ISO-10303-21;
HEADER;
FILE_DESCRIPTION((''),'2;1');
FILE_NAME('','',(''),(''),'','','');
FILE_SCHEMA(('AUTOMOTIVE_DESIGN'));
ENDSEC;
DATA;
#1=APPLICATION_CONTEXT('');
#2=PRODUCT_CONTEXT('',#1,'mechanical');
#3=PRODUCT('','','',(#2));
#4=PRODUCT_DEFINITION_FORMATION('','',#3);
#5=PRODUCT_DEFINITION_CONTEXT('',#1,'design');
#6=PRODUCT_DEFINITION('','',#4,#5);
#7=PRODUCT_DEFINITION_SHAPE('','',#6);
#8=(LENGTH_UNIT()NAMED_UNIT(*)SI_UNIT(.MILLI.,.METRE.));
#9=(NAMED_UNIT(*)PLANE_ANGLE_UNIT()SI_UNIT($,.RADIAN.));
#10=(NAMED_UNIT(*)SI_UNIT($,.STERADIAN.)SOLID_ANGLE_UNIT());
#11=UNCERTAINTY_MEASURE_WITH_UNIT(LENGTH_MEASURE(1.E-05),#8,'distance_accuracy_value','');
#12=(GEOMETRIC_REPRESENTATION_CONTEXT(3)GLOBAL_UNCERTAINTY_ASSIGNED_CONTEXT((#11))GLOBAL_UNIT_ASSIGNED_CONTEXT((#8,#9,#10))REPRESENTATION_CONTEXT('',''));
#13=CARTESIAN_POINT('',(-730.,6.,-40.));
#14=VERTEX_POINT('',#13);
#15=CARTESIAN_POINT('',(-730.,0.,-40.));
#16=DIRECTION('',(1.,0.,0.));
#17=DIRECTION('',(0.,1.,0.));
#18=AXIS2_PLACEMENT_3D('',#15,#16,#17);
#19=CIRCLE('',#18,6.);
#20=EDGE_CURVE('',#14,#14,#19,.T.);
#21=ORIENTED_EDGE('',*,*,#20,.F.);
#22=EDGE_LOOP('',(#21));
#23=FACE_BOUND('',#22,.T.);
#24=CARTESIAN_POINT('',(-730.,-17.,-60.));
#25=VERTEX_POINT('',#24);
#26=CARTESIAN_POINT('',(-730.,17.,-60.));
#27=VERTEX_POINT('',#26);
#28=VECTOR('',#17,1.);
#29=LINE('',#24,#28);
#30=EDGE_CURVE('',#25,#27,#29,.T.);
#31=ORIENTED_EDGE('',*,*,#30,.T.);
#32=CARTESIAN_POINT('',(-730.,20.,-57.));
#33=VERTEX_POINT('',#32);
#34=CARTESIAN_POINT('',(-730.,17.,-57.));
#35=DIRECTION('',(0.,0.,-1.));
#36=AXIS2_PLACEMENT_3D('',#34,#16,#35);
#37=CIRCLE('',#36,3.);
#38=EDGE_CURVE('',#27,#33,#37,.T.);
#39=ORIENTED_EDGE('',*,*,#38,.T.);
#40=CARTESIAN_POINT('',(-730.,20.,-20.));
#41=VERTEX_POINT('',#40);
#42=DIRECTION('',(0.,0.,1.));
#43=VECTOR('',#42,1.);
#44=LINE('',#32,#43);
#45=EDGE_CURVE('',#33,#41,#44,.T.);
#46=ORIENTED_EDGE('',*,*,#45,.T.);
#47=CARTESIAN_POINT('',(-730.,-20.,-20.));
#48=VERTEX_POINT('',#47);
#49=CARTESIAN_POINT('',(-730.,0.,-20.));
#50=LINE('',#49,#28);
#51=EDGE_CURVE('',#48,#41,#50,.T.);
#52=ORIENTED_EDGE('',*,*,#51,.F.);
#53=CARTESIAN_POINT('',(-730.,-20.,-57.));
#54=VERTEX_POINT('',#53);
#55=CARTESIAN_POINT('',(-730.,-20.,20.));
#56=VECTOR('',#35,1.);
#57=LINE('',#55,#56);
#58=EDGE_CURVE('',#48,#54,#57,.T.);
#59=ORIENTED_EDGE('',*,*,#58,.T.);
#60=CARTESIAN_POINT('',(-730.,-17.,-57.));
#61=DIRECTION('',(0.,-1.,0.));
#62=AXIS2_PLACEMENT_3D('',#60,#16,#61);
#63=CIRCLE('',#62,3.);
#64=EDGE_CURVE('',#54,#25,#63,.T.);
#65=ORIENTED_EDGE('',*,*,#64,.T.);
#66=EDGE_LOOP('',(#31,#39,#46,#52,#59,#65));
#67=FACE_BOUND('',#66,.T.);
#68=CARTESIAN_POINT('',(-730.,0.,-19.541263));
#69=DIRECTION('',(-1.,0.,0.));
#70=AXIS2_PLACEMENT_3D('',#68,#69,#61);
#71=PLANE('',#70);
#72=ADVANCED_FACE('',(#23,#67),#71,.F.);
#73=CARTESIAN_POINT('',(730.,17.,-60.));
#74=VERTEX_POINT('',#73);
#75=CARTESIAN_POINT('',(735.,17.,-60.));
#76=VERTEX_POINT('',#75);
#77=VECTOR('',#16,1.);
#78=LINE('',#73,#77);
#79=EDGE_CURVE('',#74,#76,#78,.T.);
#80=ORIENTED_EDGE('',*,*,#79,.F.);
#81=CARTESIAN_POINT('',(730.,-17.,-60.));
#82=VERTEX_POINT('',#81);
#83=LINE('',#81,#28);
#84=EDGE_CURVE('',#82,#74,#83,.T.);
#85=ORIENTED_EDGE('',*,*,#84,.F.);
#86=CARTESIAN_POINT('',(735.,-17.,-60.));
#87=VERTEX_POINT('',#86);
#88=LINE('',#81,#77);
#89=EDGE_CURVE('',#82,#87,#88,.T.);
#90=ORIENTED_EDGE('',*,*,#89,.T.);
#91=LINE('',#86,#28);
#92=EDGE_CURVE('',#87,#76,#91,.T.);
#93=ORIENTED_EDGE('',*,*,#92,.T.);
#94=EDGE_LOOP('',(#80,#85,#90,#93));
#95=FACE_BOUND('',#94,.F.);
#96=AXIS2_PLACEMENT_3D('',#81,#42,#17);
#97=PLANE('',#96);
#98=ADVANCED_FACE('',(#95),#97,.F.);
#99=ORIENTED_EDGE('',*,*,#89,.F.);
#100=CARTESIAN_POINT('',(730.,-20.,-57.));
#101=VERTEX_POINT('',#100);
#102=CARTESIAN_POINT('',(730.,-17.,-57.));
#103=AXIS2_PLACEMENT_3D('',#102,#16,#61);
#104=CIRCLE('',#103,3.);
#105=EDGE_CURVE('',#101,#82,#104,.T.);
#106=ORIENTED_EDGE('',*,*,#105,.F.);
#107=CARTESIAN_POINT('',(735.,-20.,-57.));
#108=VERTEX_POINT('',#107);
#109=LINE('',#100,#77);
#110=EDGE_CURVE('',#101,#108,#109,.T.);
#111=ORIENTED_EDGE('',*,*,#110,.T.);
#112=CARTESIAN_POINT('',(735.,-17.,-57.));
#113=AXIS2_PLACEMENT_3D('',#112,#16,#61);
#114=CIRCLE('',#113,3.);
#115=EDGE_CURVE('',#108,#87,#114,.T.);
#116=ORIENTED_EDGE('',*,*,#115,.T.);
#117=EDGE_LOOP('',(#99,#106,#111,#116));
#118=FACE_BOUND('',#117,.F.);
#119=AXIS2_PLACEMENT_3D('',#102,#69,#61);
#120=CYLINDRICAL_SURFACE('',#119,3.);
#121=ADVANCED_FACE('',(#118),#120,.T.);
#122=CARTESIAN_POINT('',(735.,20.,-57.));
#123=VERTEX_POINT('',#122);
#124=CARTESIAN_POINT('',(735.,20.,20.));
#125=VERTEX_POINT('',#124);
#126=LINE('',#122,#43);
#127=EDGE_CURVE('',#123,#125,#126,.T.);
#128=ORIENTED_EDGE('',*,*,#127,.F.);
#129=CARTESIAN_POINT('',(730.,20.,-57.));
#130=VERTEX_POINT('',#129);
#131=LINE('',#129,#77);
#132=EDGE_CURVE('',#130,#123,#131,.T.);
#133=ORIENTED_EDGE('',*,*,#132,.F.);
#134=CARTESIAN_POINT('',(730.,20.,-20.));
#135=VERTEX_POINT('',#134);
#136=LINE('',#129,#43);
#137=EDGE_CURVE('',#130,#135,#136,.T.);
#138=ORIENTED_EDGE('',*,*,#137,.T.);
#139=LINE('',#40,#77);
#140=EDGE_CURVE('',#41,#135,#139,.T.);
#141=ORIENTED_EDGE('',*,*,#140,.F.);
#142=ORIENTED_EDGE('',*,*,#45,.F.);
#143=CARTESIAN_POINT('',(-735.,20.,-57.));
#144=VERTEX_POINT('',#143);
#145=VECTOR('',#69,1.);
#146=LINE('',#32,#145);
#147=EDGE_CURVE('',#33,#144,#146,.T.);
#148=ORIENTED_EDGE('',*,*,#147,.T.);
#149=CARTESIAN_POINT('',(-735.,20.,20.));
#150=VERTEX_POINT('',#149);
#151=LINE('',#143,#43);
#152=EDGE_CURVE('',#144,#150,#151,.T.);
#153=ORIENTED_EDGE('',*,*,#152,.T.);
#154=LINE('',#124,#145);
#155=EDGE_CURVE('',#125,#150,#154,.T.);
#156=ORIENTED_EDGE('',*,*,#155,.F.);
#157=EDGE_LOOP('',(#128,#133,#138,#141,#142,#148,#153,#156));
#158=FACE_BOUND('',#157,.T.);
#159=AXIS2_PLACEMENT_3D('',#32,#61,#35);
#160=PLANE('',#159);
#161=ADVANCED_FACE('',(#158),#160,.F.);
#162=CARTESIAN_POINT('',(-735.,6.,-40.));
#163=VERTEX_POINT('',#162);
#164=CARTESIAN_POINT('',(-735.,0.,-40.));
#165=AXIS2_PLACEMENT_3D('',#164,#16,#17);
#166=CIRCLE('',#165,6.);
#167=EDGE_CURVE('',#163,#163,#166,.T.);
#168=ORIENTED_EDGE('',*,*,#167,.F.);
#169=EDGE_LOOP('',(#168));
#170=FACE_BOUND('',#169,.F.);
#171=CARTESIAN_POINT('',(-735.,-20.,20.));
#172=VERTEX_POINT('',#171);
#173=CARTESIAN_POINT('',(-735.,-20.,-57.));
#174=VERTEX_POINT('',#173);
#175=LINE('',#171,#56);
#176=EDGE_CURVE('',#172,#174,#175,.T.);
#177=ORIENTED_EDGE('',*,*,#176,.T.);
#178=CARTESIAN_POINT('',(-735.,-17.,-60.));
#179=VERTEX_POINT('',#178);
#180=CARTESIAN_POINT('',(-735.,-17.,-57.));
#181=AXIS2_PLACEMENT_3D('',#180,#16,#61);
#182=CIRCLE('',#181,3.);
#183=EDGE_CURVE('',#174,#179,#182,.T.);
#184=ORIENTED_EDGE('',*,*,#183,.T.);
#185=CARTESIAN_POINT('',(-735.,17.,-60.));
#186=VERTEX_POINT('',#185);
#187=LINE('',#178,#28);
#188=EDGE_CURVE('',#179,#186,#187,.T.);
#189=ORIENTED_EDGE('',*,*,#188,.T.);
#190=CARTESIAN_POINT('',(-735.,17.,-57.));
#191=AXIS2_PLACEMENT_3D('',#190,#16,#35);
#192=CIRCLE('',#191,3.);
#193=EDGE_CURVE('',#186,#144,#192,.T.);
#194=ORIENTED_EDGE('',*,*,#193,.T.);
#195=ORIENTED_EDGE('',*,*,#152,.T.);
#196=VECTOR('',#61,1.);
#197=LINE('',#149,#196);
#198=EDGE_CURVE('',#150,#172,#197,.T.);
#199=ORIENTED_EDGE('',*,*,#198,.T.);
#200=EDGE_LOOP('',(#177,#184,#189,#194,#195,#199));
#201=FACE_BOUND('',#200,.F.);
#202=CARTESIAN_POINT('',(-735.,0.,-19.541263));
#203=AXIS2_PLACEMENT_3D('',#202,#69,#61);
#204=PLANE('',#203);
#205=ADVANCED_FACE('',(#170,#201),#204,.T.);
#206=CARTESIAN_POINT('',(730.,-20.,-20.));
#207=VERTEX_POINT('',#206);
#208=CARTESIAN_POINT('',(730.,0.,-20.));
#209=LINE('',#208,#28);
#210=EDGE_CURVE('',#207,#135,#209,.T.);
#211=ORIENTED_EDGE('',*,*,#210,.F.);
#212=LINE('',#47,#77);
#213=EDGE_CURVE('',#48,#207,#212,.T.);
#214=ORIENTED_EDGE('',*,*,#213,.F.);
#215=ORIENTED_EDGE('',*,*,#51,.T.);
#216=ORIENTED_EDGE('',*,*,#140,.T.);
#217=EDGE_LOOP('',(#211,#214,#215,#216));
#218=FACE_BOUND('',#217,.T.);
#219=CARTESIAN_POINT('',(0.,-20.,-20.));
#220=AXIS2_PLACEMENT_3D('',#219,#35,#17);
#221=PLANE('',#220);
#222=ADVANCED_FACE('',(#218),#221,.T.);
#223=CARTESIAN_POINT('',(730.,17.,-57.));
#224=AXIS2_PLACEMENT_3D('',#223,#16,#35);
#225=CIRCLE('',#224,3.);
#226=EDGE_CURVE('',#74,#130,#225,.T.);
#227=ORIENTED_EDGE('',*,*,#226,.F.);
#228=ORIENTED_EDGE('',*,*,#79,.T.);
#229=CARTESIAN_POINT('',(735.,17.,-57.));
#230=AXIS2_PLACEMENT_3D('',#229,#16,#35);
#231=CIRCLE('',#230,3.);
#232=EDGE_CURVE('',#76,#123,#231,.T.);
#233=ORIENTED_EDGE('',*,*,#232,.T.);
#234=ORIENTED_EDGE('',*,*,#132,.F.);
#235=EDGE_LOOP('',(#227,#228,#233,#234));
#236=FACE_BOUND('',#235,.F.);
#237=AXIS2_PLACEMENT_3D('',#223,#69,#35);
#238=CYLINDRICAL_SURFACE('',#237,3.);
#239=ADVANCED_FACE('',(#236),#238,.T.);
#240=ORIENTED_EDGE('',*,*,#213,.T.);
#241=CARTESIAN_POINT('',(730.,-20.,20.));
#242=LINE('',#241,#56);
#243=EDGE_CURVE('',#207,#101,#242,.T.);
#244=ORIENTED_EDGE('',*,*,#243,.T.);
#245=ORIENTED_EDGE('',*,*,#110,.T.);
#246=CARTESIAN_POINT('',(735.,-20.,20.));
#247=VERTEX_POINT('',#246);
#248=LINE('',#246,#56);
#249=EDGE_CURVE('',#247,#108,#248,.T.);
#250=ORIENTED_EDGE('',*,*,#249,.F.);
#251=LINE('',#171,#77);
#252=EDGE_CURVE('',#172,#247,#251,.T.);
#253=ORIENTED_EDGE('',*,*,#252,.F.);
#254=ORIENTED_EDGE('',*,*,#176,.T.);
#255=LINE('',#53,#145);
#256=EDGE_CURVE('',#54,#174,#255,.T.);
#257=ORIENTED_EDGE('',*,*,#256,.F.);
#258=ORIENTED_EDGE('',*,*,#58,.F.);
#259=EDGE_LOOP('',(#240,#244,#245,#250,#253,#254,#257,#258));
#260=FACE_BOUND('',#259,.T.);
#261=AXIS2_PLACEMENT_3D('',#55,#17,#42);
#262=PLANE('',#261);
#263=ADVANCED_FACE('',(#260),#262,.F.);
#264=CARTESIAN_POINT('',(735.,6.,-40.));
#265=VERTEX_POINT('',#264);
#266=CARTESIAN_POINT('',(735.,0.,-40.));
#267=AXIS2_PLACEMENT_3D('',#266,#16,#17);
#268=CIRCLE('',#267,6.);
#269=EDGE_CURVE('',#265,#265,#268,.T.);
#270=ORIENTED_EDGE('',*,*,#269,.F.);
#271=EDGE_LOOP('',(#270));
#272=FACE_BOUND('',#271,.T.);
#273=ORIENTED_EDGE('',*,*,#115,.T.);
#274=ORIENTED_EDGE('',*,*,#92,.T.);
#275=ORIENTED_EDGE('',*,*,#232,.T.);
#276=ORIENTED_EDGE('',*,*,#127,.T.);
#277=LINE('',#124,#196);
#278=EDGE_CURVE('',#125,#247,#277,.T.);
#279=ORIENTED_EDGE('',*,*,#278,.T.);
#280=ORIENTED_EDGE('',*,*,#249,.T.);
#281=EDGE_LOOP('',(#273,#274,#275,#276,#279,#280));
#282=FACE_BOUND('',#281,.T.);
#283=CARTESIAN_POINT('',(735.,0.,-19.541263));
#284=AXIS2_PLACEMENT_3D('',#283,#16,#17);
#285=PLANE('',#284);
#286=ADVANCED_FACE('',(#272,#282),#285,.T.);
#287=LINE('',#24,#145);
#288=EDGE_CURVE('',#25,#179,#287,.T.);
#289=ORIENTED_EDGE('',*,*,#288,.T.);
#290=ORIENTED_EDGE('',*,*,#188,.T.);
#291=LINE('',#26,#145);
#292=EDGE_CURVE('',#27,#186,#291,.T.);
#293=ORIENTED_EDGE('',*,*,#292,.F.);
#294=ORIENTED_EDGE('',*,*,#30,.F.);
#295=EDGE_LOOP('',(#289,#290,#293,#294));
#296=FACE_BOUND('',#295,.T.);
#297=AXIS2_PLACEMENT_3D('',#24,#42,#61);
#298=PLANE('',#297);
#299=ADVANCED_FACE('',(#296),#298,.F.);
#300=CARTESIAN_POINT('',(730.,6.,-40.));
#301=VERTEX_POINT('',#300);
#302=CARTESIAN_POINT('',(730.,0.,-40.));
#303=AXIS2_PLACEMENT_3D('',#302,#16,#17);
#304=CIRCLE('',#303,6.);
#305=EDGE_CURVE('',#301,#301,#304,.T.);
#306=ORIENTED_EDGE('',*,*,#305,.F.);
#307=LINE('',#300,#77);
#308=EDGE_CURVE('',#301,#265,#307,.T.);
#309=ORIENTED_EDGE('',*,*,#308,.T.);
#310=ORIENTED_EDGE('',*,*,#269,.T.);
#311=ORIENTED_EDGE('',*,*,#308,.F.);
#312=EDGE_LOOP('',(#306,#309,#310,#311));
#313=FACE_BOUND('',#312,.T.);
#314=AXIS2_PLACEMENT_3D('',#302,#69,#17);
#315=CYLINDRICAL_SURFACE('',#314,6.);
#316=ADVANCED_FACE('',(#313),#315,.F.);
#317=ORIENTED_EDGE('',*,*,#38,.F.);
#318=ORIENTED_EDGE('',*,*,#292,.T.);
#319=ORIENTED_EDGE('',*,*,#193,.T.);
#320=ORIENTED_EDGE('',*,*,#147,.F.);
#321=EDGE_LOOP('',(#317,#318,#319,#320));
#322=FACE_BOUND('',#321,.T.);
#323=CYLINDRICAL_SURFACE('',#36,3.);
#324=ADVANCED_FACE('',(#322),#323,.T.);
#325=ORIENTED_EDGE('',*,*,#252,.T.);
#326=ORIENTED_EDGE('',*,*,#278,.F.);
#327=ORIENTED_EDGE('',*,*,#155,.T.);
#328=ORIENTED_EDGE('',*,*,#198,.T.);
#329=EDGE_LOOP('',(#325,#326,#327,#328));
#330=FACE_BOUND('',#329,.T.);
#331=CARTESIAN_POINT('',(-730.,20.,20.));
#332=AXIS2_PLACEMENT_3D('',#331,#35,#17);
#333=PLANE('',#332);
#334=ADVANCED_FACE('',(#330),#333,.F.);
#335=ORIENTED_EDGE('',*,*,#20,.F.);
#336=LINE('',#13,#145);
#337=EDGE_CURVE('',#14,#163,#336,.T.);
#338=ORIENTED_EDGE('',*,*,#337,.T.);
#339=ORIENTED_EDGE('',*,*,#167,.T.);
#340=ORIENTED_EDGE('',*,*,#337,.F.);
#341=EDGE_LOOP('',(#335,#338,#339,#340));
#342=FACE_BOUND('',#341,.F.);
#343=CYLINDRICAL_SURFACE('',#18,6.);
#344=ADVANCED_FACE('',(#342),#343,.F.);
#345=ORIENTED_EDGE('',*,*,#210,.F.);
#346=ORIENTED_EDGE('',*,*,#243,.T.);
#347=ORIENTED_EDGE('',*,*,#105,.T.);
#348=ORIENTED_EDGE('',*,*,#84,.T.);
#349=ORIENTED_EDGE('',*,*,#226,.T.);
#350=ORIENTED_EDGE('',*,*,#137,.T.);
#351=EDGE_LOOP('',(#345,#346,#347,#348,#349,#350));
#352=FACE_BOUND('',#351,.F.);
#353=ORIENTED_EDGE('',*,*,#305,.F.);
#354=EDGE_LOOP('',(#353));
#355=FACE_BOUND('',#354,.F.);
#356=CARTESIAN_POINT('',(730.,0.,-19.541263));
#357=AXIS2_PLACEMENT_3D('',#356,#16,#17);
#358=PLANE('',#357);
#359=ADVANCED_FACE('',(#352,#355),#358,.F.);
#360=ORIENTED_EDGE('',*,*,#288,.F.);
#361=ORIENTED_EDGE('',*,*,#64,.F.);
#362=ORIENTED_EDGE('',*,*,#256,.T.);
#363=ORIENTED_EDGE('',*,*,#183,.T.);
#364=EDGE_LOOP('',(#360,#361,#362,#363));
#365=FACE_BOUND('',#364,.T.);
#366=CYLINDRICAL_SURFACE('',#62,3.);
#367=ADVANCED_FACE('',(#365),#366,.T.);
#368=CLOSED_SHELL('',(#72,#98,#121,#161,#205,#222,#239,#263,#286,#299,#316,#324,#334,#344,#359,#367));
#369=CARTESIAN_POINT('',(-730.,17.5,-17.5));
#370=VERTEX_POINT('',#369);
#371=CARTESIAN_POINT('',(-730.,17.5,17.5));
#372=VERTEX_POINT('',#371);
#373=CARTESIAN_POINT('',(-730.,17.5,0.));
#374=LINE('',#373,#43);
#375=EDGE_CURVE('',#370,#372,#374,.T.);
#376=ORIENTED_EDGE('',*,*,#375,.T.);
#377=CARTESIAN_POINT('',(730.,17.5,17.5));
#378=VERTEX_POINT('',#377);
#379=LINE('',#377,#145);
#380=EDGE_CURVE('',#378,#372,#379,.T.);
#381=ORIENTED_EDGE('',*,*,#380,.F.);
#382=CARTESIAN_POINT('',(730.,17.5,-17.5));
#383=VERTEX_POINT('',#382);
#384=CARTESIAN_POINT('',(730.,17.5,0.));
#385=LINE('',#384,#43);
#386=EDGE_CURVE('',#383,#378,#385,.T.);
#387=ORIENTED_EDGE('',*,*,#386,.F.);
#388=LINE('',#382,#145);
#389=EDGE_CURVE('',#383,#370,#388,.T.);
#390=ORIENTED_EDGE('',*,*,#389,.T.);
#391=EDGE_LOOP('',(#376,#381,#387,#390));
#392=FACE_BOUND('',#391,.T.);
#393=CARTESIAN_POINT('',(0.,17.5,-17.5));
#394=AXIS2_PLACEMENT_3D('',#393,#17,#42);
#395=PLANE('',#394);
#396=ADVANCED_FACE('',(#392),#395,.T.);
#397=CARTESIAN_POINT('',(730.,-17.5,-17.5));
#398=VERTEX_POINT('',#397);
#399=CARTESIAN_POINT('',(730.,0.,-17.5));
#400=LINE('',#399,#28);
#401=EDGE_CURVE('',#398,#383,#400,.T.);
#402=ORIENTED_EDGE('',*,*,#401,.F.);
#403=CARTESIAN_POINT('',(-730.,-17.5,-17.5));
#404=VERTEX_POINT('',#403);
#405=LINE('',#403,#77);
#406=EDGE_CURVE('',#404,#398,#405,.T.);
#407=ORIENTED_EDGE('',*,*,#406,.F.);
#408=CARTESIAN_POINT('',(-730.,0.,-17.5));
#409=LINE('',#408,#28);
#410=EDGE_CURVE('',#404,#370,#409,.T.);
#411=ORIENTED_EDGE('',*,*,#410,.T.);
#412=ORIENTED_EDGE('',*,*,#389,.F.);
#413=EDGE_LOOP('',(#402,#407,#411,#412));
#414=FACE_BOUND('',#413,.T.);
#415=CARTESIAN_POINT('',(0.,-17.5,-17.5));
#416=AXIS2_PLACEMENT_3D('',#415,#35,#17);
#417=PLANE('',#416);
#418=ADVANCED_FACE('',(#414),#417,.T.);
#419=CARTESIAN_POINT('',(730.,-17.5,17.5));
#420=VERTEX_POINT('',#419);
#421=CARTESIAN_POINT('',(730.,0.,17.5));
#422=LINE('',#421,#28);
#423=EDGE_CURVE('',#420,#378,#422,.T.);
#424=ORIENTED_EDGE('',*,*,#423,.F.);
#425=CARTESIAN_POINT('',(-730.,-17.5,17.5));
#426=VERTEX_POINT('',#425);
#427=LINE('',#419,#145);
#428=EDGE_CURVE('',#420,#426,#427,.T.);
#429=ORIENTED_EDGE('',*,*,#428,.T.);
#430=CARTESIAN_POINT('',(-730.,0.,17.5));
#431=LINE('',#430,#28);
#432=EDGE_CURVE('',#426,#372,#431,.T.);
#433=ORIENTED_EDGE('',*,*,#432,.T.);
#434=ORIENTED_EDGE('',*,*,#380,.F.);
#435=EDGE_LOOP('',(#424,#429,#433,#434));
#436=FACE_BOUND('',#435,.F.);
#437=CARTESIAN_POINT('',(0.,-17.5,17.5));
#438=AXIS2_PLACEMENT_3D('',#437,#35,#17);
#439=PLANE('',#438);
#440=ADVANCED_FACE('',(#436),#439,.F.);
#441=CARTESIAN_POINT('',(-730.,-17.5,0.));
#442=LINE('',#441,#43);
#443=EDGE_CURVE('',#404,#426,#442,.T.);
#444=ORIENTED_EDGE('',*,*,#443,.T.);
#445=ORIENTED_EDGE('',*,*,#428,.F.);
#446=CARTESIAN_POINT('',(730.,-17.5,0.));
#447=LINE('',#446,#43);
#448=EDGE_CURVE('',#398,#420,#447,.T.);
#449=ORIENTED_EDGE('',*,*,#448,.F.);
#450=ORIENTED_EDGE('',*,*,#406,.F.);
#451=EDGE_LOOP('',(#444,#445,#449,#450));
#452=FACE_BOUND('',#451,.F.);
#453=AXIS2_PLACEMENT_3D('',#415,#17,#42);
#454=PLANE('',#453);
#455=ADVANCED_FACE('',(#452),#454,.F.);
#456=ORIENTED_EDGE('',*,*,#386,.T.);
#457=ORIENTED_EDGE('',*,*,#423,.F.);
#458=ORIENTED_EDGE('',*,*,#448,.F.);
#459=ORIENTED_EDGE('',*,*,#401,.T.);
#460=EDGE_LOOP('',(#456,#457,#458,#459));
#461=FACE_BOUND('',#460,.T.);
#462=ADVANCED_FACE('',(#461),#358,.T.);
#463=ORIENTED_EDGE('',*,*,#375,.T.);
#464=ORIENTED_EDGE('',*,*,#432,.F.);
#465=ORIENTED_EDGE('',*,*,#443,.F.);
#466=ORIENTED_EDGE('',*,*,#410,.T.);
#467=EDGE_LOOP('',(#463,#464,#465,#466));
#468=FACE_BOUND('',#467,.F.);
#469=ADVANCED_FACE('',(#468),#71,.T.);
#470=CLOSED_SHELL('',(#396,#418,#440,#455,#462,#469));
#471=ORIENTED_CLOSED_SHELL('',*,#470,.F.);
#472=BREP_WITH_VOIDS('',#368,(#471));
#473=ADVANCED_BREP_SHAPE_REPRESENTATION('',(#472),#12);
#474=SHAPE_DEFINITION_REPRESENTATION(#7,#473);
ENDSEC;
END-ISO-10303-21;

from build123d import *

# Parameters (mm, degrees)
F0_W     = 40
F0_H     = 40
F0_W_2   = 35
F0_H_2   = 35
F1_DEPTH = 730
F2_R     = 6
F3_DEPTH = 5


with BuildPart() as f1:
    # F0 (on Right) → F1 (new body, symmetric)
    with BuildSketch(Plane.YZ):
        Rectangle(F0_W, F0_H)
        Rectangle(F0_W_2, F0_H_2, mode=Mode.SUBTRACT)
    extrude(amount=F1_DEPTH, both=True)

    # F2 (on face) → F3 (join)
    with BuildSketch(Plane.YZ.offset(730)):
        with BuildLine():
            Line((20, -20), (20, 20))
            Line((20, 20), (-20, 20))
            Line((-20, 20), (-20, -57))
            ThreePointArc((-20, -57), (-19.1213203436, -59.1213203436), (-17, -60))
            Line((-17, -60), (17, -60))
            ThreePointArc((17, -60), (19.1213203436, -59.1213203436), (20, -57))
            Line((20, -57), (20, -20))
        make_face()
        with Locations((0, -40)):
            Circle(F2_R, mode=Mode.SUBTRACT)
    extrude(amount=F3_DEPTH)

    # F4: F1 across plane


with BuildPart() as f1_1:
    add(f1.part)
    add(f1.part.mirror(Plane.YZ))


solid = f1_1.part
